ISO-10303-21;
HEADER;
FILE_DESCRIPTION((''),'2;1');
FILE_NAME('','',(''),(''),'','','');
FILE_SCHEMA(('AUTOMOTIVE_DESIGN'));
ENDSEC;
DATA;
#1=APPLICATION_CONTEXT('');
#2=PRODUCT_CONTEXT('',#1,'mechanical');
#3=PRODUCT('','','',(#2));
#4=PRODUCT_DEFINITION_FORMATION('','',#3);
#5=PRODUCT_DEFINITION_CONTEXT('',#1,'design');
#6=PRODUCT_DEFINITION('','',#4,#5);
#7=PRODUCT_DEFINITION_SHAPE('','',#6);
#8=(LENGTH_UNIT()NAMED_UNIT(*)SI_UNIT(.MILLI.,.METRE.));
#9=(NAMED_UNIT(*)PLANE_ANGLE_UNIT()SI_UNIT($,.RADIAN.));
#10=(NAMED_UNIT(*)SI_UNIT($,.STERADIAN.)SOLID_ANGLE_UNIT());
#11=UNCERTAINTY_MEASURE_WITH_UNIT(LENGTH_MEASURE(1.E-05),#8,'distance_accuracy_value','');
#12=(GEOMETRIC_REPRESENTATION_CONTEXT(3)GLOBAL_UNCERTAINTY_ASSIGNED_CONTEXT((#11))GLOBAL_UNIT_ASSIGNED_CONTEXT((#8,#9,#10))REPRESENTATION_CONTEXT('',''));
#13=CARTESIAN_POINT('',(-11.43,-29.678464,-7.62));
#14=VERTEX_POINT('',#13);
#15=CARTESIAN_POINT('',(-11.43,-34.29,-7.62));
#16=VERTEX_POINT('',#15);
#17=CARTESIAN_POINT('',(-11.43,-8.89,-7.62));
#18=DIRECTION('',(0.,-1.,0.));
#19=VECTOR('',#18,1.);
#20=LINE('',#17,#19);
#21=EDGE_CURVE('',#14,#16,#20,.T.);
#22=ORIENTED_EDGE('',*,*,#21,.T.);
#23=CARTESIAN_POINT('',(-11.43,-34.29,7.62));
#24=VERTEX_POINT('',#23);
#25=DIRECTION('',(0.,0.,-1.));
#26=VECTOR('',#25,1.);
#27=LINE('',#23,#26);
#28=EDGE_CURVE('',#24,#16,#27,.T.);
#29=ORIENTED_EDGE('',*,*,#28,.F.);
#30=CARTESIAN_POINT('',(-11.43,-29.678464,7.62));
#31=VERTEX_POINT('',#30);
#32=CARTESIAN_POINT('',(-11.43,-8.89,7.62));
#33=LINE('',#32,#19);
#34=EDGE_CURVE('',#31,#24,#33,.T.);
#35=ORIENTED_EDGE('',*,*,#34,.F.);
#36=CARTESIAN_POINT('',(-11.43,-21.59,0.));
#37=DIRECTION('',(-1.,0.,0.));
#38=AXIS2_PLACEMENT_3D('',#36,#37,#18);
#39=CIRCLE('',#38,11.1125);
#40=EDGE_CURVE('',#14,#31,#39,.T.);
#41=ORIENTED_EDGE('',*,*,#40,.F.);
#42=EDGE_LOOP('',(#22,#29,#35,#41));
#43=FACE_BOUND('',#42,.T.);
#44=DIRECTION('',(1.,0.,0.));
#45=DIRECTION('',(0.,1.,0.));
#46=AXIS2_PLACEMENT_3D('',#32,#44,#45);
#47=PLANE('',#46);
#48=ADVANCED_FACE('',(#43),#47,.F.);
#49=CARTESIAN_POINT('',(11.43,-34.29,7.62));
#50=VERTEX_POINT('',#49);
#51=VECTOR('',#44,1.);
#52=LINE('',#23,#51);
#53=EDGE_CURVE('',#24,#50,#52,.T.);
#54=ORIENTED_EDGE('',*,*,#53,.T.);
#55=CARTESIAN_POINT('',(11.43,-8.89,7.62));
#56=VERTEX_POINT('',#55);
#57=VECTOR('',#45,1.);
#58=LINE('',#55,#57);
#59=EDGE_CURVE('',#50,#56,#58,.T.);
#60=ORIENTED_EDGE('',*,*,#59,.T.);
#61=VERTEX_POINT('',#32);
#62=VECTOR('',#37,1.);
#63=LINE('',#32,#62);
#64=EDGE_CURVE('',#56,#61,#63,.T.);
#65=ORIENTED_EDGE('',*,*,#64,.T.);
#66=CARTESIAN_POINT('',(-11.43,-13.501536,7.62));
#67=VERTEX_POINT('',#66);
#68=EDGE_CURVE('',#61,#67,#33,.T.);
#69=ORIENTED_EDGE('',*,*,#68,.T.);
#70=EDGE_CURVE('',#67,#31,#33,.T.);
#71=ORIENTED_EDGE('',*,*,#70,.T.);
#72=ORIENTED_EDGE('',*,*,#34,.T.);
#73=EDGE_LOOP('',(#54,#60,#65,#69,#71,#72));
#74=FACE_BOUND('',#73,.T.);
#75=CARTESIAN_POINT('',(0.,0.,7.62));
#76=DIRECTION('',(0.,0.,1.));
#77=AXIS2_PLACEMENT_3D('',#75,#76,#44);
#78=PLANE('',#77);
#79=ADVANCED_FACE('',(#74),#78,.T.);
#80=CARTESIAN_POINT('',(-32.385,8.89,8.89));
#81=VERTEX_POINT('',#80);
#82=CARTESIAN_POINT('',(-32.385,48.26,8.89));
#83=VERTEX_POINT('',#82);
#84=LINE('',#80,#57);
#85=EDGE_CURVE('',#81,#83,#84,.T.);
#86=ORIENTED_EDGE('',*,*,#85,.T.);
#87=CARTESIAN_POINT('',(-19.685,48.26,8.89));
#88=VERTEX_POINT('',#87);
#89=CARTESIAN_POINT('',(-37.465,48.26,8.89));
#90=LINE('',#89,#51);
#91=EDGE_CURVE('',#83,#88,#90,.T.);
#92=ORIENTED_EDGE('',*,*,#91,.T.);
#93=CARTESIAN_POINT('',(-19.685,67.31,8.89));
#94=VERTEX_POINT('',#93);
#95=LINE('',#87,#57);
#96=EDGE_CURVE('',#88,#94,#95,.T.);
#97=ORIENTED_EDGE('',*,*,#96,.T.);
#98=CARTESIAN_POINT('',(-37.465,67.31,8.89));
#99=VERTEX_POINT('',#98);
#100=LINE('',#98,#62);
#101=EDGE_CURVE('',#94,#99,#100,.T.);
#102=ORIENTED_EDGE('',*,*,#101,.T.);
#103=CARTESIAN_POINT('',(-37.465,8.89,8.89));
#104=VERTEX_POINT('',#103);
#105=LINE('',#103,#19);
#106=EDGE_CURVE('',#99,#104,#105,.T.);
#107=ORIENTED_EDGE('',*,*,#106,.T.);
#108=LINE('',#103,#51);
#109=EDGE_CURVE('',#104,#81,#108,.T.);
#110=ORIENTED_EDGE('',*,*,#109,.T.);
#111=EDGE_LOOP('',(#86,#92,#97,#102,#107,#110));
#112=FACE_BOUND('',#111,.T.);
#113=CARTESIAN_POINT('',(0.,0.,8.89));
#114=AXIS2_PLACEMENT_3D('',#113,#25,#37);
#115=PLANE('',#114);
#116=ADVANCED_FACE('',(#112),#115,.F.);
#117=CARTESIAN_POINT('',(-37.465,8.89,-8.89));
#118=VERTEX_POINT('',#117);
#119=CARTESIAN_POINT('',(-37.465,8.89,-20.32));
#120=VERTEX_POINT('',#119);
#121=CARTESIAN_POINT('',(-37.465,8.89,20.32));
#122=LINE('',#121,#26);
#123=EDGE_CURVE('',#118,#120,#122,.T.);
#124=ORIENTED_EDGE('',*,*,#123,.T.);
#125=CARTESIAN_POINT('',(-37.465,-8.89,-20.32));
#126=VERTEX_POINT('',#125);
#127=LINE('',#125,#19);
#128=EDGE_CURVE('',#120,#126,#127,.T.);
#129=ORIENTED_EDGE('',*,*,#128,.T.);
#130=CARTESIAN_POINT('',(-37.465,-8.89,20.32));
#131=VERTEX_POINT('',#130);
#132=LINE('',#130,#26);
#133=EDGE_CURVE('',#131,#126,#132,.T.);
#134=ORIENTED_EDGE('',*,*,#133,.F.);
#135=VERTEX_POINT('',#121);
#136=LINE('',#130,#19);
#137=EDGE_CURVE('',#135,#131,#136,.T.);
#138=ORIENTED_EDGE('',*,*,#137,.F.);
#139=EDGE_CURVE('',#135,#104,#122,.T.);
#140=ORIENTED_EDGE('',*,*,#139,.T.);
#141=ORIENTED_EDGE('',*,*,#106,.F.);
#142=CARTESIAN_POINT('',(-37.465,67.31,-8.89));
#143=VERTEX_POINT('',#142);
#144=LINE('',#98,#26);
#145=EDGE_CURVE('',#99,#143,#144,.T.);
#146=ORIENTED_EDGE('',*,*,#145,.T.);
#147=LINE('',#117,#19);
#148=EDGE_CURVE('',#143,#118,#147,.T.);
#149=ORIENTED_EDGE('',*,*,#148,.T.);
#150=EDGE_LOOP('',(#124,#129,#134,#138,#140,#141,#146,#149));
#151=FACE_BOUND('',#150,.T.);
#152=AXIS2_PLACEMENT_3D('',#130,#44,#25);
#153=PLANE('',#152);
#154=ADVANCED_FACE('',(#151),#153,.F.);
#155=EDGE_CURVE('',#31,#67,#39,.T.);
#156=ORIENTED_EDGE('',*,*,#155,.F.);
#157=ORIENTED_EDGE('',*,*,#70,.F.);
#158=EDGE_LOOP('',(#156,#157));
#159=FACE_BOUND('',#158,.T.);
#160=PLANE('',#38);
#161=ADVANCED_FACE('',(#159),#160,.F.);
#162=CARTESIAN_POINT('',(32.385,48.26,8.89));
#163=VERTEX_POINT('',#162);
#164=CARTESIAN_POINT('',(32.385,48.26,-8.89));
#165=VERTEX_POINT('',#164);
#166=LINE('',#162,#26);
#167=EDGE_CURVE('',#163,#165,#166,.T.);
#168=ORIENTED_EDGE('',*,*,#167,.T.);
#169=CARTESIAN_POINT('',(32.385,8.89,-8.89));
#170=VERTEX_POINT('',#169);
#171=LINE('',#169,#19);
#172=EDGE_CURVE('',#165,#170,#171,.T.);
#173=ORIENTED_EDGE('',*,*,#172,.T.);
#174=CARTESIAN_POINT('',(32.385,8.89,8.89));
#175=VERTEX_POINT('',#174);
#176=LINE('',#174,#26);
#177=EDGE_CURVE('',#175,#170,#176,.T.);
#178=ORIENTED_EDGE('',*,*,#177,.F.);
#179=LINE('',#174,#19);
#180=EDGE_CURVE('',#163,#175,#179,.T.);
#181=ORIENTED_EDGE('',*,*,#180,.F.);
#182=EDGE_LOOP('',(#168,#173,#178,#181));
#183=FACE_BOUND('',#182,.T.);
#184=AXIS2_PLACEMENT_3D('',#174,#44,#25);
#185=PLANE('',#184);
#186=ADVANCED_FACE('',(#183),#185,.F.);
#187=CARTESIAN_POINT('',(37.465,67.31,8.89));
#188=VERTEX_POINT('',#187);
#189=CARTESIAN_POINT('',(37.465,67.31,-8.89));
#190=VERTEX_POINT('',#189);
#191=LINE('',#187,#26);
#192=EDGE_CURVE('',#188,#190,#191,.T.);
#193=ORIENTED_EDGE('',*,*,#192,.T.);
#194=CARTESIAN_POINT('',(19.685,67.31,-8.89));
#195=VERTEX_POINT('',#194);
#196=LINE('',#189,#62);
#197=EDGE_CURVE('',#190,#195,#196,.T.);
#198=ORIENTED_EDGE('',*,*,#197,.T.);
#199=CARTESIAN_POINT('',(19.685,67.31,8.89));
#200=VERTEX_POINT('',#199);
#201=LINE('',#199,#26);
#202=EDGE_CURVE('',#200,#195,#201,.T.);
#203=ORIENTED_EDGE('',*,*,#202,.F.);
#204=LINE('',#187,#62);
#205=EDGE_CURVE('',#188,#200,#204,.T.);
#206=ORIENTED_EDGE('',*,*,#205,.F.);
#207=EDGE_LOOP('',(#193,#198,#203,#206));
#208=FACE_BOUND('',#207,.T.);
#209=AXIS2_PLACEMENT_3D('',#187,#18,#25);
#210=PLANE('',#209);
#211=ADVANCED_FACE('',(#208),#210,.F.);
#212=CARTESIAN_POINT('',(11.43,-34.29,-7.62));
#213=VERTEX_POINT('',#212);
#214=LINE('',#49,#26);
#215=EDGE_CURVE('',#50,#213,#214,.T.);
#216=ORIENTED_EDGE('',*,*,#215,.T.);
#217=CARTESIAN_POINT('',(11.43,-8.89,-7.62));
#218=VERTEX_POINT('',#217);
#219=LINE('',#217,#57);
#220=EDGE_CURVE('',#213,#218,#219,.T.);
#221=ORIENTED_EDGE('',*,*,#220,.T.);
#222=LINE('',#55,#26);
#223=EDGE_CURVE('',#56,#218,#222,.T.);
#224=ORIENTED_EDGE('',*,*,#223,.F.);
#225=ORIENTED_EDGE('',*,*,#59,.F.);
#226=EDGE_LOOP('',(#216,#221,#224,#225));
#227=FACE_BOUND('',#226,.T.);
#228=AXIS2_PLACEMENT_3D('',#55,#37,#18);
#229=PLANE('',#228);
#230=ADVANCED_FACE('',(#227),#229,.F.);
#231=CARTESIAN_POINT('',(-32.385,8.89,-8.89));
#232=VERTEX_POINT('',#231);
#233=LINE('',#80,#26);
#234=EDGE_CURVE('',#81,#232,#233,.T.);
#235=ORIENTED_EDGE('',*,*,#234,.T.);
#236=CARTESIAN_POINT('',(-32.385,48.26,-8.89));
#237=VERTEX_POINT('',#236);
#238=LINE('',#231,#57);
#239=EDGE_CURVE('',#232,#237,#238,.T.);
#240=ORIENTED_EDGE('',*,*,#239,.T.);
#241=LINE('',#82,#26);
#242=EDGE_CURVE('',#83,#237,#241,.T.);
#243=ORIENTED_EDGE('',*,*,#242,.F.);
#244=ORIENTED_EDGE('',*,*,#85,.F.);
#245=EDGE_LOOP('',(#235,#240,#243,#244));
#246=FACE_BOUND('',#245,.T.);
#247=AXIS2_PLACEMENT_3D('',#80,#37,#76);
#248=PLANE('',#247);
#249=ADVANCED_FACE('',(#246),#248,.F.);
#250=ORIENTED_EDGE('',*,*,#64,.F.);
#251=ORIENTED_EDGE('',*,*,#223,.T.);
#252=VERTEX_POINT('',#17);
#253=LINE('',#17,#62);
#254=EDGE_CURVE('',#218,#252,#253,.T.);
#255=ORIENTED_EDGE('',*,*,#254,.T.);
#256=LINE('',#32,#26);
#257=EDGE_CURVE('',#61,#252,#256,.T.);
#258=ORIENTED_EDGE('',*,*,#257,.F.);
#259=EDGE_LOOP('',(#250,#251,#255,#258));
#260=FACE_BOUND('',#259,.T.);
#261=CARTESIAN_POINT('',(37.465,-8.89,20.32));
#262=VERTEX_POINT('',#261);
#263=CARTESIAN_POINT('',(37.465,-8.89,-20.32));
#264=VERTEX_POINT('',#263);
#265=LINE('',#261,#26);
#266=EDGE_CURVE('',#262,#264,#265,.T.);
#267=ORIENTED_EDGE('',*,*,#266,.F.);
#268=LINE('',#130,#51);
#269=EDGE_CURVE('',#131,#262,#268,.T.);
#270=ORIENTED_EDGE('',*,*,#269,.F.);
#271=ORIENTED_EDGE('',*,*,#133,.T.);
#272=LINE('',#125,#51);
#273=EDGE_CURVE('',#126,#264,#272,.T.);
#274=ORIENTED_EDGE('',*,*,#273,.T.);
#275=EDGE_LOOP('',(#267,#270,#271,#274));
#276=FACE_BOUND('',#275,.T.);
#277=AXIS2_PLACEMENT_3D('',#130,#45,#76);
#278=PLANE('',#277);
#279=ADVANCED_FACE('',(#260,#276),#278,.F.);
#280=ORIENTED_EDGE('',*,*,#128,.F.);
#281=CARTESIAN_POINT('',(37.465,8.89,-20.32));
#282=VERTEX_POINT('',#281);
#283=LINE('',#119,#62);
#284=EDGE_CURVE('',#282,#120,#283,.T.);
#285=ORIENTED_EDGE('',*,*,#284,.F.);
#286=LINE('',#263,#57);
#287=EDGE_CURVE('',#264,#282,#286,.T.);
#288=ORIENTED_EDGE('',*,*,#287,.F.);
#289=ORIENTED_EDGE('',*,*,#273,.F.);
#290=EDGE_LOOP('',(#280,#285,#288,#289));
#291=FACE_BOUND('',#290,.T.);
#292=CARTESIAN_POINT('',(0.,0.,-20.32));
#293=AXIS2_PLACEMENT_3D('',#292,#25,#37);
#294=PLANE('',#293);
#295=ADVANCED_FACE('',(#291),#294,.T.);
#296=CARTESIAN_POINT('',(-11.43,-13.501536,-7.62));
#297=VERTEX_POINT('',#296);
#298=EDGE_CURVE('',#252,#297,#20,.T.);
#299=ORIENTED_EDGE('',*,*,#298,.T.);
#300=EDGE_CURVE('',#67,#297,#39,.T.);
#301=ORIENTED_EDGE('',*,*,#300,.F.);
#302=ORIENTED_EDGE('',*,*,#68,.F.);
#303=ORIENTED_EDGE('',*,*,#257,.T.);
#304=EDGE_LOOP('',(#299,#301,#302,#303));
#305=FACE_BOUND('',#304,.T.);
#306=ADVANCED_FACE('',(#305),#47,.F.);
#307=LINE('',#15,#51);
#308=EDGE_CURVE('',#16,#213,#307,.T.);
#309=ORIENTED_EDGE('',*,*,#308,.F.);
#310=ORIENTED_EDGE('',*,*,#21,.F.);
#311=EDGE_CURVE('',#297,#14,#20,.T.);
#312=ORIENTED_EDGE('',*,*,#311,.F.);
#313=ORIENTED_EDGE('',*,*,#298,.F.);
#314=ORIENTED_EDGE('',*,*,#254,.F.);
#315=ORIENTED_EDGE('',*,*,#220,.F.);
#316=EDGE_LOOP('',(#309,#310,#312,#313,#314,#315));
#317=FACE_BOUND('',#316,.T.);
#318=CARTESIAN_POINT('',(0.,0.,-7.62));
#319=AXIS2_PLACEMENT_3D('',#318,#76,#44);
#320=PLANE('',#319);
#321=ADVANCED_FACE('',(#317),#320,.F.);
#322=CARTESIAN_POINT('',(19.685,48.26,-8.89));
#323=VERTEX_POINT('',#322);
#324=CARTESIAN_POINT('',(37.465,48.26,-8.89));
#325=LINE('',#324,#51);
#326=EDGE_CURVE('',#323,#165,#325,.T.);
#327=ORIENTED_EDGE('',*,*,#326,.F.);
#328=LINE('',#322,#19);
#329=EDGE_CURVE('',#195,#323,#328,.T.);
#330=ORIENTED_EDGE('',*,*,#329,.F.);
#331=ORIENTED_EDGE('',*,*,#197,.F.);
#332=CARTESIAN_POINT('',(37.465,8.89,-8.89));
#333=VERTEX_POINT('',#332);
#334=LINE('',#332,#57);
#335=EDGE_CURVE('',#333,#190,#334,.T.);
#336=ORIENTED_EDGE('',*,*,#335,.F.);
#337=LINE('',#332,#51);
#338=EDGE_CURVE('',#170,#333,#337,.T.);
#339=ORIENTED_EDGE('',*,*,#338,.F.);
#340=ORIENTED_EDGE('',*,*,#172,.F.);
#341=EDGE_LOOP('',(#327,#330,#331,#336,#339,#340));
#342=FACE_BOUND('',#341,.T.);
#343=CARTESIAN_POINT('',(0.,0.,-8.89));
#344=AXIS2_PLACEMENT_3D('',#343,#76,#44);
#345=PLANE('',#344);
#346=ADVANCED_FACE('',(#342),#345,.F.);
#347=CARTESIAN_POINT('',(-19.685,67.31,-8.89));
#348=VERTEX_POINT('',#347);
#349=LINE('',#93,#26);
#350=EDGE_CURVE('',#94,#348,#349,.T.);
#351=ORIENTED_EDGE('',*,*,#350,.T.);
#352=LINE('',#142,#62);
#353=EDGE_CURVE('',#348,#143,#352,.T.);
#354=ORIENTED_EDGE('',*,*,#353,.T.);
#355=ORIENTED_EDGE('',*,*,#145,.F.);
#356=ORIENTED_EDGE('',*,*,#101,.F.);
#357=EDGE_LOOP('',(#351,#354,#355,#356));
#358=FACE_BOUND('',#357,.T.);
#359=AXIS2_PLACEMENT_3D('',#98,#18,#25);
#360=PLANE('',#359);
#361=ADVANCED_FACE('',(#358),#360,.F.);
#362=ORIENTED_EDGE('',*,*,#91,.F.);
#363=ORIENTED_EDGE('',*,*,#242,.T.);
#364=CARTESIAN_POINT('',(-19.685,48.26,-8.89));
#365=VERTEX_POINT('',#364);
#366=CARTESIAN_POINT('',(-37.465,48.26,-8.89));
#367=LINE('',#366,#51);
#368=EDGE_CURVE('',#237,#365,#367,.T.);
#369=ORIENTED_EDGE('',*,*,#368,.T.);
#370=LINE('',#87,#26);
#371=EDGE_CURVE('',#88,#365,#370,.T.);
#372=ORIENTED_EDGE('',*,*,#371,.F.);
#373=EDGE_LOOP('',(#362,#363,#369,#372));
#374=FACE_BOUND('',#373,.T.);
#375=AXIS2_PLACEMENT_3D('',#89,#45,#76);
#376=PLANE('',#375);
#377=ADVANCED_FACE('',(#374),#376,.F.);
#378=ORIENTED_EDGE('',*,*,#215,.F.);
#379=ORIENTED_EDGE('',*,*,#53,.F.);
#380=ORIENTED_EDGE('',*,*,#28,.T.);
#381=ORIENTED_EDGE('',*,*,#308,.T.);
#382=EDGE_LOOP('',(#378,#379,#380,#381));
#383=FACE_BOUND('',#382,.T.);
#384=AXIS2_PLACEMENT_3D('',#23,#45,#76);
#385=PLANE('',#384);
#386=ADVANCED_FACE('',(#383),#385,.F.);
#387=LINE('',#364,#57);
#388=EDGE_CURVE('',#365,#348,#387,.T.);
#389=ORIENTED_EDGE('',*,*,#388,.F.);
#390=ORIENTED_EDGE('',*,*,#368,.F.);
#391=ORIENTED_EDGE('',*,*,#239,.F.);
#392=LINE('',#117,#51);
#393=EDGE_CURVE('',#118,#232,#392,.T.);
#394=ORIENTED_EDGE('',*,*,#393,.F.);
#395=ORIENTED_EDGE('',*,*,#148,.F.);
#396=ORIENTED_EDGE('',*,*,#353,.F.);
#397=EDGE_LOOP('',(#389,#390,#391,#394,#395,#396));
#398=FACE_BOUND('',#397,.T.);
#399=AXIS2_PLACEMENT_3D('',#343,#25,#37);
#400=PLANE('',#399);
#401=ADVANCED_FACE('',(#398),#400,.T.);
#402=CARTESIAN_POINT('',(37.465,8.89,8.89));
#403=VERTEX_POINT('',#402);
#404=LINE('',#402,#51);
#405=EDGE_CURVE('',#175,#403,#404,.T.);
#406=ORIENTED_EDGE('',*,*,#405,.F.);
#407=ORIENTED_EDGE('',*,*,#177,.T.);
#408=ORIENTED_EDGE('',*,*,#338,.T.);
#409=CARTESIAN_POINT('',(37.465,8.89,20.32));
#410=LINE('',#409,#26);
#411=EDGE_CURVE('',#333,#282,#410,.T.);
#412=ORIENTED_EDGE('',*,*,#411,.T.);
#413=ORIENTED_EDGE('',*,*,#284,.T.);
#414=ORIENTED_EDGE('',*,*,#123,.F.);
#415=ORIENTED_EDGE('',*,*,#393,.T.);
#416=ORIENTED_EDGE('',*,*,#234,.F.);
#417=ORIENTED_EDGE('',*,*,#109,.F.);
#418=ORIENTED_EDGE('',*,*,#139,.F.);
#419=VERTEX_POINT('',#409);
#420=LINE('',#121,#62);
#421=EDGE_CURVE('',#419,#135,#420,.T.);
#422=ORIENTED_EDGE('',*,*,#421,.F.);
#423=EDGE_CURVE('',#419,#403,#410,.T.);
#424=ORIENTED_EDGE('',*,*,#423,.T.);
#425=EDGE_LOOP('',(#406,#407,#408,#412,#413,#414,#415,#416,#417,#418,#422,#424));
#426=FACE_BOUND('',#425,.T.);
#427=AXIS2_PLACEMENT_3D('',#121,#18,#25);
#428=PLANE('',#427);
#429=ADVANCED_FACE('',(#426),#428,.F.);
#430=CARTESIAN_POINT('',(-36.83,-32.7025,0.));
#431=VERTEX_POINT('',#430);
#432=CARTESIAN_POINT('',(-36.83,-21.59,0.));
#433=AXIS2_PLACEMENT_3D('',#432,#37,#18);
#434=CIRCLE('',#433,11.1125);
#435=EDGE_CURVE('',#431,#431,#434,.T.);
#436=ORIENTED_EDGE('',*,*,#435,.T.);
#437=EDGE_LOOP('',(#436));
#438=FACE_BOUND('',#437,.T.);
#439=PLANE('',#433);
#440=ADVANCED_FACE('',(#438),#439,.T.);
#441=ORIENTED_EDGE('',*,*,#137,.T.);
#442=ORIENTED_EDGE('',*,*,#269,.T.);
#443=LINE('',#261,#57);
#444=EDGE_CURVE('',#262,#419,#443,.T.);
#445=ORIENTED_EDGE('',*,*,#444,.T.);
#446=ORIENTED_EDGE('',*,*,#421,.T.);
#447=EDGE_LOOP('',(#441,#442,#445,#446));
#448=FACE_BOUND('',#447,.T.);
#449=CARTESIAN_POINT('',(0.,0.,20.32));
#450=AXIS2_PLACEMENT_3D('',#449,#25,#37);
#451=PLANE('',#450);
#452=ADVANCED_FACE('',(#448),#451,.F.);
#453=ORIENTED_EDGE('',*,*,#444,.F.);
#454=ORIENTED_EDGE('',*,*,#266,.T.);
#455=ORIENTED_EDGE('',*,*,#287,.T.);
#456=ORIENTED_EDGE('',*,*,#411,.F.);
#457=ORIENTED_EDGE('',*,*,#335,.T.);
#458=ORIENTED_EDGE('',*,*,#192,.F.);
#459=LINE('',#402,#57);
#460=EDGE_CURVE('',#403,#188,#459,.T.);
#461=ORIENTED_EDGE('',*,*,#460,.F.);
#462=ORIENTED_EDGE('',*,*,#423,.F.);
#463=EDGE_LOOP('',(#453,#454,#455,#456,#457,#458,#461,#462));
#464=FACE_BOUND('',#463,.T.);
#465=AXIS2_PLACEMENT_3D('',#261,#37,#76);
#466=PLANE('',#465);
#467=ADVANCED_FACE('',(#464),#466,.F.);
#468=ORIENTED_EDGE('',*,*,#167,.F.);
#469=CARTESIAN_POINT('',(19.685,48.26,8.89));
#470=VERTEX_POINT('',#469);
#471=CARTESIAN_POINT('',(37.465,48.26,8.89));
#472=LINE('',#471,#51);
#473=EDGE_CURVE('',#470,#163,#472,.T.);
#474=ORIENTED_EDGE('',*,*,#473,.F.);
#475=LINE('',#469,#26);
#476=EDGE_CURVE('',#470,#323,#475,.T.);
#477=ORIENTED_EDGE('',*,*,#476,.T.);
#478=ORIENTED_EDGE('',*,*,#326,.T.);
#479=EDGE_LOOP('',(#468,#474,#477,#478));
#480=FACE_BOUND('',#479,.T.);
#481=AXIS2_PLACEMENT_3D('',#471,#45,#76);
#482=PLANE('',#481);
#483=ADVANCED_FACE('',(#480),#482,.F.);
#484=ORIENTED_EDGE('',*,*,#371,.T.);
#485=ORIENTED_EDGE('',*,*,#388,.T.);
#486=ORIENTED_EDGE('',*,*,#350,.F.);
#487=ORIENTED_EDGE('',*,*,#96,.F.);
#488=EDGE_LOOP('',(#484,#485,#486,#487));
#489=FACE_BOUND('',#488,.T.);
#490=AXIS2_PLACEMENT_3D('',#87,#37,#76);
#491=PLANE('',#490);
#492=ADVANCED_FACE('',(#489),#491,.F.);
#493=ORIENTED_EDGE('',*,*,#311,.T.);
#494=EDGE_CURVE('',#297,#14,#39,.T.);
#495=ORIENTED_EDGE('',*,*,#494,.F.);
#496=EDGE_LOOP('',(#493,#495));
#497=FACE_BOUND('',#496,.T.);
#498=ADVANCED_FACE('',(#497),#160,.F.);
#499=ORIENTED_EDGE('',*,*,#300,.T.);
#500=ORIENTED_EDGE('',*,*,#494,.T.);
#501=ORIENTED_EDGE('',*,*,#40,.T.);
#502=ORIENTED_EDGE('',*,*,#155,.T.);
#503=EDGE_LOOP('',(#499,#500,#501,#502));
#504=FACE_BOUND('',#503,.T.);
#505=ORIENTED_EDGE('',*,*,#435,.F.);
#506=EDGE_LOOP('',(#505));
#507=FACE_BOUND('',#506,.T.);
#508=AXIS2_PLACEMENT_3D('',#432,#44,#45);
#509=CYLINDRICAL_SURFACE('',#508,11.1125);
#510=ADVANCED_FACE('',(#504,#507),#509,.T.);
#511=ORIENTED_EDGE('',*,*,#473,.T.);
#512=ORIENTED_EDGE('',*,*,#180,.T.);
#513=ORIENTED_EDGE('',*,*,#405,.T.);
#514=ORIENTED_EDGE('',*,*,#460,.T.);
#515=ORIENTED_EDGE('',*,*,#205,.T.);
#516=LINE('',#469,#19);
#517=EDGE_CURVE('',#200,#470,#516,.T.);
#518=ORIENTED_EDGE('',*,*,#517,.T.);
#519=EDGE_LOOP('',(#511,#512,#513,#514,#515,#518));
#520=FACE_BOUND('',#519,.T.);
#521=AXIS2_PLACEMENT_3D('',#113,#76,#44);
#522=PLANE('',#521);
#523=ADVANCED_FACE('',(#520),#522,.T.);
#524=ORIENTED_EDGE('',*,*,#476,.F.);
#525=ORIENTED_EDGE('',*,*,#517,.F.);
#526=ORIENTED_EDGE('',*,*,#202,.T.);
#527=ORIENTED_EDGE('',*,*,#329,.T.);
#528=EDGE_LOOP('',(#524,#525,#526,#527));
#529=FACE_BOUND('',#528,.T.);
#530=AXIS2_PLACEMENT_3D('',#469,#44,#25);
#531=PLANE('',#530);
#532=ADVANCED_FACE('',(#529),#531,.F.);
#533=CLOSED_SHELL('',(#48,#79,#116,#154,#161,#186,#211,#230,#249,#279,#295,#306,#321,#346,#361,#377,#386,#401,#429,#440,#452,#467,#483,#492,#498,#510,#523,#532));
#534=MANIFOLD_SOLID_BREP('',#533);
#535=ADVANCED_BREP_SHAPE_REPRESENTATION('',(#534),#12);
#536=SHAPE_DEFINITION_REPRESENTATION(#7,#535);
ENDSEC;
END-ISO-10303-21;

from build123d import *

# Parameters (mm, degrees)
SKETCH1_W           = 74.93
SKETCH1_H           = 17.78
BOSS_EXTRUDE1_DEPTH = 20.32
SKETCH2_W           = 5.08
SKETCH2_H           = 39.37
BOSS_EXTRUDE2_DEPTH = 8.89
SKETCH3_W           = 17.78
SKETCH3_H           = 19.05
BOSS_EXTRUDE3_DEPTH = 8.89
SKETCH5_W           = 22.86
SKETCH5_H           = 25.4
BOSS_EXTRUDE4_DEPTH = 7.62
SKETCH6_R           = 11.1125
BOSS_EXTRUDE5_DEPTH = 25.4


with BuildPart() as part:
    # Sketch1 → Boss-Extrude1 (new, symmetric)
    with BuildSketch(Plane.XY):
        Rectangle(SKETCH1_W, SKETCH1_H)
    extrude(amount=BOSS_EXTRUDE1_DEPTH, both=True)

    # Sketch2 → Boss-Extrude2 (add, symmetric)
    with BuildSketch(Plane.XY):
        with Locations((-34.925, 28.575)):
            Rectangle(SKETCH2_W, SKETCH2_H)
        with Locations((34.925, 28.575)):
            Rectangle(SKETCH2_W, SKETCH2_H)
    extrude(amount=BOSS_EXTRUDE2_DEPTH, both=True)

    # Sketch3 → Boss-Extrude3 (add, symmetric)
    with BuildSketch(Plane.XY):
        with Locations((28.575, 57.785)):
            Rectangle(SKETCH3_W, SKETCH3_H)
        with Locations((-28.575, 57.785)):
            Rectangle(SKETCH3_W, SKETCH3_H)
    extrude(amount=BOSS_EXTRUDE3_DEPTH, both=True)

    # Sketch5 → Boss-Extrude4 (add, symmetric)
    with BuildSketch(Plane.XY):
        with Locations((0, -21.59)):
            Rectangle(SKETCH5_W, SKETCH5_H)
    extrude(amount=BOSS_EXTRUDE4_DEPTH, both=True)

    # Sketch6 → Boss-Extrude5 (add)
    with BuildSketch(Plane.ZY.offset(11.43)):
        with Locations(Location((0, -21.59, 0), (0, 0, 46.708192407))):
            Circle(SKETCH6_R)
    extrude(amount=BOSS_EXTRUDE5_DEPTH)


solid = part.part
